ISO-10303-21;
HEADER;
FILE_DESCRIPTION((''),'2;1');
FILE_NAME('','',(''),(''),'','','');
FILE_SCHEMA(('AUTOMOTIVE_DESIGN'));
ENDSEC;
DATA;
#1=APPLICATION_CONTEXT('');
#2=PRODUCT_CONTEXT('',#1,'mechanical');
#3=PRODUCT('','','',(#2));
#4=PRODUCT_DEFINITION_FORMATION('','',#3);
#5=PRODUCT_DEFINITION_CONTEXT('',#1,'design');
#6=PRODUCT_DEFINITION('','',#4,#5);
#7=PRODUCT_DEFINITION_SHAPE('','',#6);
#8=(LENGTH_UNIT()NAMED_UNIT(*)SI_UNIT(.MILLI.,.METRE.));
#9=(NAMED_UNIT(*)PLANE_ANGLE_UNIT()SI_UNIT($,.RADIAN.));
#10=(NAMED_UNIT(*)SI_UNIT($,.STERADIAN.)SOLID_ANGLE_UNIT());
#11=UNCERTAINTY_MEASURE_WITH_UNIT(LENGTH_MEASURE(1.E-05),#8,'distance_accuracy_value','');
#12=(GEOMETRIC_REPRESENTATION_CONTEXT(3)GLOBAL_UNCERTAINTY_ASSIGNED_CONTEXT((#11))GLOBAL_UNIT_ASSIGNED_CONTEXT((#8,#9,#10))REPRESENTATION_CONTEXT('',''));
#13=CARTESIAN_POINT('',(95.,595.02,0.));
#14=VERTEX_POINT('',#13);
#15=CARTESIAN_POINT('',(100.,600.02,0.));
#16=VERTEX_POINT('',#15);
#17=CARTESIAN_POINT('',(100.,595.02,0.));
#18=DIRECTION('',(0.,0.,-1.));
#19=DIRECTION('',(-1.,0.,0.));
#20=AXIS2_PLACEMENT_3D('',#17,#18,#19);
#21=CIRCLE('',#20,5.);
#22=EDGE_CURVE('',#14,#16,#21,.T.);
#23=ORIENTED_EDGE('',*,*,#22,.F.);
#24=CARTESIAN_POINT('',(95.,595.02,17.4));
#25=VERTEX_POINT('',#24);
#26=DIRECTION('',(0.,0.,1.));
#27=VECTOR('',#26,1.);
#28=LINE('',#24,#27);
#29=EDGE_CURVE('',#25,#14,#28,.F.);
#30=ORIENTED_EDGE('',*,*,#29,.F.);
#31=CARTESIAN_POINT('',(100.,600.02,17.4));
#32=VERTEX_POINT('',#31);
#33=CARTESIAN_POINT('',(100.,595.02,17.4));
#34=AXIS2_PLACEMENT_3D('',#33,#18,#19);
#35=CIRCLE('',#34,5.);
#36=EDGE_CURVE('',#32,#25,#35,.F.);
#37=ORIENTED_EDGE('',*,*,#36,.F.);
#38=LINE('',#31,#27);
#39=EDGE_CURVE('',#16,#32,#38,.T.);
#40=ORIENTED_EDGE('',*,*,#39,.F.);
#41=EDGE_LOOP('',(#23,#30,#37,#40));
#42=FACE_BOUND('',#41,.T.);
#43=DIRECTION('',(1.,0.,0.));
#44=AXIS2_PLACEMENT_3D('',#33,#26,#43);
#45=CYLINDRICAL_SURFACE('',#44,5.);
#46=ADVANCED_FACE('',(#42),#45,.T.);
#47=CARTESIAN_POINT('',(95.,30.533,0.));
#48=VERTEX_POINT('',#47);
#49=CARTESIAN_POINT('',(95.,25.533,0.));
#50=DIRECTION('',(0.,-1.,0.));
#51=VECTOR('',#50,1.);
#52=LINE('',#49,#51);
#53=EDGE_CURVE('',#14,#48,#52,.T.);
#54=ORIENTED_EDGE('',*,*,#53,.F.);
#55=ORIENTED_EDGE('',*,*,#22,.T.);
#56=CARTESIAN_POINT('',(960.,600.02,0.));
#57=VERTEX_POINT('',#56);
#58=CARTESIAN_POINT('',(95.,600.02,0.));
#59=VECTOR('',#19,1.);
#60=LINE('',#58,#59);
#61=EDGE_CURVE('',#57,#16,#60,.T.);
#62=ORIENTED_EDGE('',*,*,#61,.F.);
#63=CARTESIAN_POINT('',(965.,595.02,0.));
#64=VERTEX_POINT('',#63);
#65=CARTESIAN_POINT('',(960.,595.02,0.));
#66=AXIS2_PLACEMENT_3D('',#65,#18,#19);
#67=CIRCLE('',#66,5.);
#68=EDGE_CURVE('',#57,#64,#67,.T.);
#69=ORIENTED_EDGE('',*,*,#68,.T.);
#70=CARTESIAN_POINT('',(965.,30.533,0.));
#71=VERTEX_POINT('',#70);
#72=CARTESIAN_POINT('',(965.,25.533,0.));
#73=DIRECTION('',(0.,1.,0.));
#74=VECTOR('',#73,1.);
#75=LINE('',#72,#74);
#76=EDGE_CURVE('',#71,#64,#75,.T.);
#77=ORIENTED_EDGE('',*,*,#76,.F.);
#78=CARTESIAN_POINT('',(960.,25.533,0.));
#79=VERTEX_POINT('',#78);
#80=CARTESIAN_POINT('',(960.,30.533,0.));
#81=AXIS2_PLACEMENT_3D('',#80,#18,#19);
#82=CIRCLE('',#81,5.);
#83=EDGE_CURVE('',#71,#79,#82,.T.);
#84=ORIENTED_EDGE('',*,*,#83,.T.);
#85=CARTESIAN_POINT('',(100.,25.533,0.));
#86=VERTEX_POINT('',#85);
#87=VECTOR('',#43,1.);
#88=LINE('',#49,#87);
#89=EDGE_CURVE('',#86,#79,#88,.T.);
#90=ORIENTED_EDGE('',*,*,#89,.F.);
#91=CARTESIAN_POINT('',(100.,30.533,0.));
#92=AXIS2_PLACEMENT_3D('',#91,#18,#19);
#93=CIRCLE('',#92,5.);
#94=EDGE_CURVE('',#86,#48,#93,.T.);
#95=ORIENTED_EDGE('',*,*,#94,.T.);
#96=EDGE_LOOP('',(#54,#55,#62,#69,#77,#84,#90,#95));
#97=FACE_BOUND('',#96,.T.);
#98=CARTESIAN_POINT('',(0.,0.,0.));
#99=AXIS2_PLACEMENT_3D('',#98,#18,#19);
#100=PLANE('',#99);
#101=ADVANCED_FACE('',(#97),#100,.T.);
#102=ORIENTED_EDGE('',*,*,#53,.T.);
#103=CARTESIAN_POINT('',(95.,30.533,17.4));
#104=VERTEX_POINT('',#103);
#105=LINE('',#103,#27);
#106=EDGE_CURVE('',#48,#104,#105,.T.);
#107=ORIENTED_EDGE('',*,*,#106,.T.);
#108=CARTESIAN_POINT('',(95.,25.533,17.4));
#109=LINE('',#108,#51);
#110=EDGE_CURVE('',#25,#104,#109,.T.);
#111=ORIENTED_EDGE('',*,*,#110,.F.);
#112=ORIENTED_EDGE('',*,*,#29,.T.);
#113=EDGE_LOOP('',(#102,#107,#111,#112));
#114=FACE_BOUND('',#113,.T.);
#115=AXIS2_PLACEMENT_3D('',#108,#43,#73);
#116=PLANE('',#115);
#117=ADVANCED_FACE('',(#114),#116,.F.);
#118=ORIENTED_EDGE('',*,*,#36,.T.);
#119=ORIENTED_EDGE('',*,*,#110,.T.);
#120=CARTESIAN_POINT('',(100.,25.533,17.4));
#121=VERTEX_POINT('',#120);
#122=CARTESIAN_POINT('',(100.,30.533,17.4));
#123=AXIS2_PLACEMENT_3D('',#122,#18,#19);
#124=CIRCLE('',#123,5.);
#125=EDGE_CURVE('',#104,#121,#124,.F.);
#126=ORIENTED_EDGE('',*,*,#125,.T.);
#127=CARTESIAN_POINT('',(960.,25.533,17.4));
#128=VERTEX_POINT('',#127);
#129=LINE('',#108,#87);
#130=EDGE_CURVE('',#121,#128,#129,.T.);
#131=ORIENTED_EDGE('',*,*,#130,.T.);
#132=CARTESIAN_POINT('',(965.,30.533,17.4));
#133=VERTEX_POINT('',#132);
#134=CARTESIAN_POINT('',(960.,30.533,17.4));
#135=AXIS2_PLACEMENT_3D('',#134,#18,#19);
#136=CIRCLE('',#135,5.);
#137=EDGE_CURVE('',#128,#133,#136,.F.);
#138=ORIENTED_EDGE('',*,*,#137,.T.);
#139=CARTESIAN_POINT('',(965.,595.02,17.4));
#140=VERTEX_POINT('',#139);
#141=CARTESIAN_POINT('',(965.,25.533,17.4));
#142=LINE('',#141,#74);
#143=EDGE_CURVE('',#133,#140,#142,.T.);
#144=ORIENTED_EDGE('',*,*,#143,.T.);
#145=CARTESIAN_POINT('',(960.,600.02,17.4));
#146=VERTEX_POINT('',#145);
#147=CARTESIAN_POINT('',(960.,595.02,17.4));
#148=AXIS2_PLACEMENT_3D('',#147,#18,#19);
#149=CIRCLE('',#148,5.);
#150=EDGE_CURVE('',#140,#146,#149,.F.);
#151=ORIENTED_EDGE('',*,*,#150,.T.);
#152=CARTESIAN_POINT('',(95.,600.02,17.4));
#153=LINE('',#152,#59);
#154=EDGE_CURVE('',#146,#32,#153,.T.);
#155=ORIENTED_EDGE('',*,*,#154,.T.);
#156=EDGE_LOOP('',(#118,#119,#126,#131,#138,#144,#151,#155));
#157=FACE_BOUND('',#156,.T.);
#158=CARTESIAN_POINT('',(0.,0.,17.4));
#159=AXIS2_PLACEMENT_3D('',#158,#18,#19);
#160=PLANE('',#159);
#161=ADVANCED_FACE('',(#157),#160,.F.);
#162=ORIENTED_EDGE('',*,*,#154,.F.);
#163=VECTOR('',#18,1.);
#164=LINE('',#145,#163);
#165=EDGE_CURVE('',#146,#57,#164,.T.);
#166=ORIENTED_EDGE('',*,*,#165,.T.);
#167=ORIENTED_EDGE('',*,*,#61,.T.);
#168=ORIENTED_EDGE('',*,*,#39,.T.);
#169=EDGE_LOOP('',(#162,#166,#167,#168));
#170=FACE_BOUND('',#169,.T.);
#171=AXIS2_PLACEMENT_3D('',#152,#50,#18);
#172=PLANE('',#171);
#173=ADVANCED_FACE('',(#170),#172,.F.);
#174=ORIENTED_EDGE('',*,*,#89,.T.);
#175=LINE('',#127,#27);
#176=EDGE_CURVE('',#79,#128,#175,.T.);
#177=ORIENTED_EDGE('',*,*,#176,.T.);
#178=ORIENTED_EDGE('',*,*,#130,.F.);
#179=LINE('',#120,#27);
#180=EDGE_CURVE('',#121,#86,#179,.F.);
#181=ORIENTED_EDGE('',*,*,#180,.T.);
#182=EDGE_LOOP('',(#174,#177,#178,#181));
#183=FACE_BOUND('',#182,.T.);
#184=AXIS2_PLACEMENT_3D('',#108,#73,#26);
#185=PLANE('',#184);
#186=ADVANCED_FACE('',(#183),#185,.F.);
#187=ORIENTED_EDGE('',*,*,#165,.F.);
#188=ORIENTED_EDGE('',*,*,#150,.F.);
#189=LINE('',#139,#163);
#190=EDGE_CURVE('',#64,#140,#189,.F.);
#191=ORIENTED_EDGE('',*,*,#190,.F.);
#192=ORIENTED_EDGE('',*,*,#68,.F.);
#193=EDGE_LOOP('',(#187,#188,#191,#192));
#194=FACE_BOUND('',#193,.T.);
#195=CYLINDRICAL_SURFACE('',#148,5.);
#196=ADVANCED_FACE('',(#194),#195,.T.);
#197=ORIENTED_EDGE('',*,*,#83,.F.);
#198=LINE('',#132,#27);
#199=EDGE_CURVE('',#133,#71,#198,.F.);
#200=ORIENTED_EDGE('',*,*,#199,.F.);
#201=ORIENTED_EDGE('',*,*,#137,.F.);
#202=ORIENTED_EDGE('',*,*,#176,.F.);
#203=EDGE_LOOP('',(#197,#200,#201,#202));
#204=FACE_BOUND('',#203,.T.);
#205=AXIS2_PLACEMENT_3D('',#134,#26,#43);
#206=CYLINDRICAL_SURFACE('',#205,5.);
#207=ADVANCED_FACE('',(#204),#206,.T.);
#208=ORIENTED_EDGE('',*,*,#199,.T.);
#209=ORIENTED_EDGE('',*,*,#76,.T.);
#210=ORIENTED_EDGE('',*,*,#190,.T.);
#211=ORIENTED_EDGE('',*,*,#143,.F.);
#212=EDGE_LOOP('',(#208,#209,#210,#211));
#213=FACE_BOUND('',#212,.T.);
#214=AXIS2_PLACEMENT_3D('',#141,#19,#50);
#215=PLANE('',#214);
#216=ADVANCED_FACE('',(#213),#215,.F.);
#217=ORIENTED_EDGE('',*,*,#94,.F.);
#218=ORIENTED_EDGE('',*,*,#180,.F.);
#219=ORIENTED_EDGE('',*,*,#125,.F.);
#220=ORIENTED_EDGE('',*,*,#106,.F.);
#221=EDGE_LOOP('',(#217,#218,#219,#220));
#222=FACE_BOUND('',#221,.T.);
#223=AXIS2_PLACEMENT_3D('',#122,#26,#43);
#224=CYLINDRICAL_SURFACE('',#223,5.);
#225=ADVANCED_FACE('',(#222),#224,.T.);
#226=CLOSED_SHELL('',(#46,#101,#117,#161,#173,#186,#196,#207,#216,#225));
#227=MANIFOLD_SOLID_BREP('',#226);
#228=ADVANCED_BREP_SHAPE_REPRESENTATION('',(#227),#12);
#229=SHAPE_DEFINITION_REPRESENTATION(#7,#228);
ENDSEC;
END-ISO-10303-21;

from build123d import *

# Parameters (mm, degrees)
SKETCH1_W           = 870
SKETCH1_H           = 574.487
BOSS_EXTRUDE1_DEPTH = 17.4
FILLET1_R           = 5
FILLET2_R           = 5
FILLET3_R           = 5
FILLET4_R           = 5


with BuildPart() as part:
    # Sketch1 → Boss-Extrude1 (new body)
    with BuildSketch(Plane.XY):
        with Locations((530, 312.7765)):
            Rectangle(SKETCH1_W, SKETCH1_H)
    extrude(amount=BOSS_EXTRUDE1_DEPTH)

    # Fillet1
    fillet1_edges = [part.edges().sort_by_distance(p)[0] for p in [
        (965, 600.02, 8.7),
    ]]
    fillet(fillet1_edges, radius=FILLET1_R)

    # Fillet2
    fillet2_edges = [part.edges().sort_by_distance(p)[0] for p in [
        (95, 600.02, 8.7),
    ]]
    fillet(fillet2_edges, radius=FILLET2_R)

    # Fillet3
    fillet3_edges = [part.edges().sort_by_distance(p)[0] for p in [
        (95, 25.533, 8.7),
    ]]
    fillet(fillet3_edges, radius=FILLET3_R)

    # Fillet4
    fillet4_edges = [part.edges().sort_by_distance(p)[0] for p in [
        (965, 25.533, 8.7),
    ]]
    fillet(fillet4_edges, radius=FILLET4_R)


solid = part.part
